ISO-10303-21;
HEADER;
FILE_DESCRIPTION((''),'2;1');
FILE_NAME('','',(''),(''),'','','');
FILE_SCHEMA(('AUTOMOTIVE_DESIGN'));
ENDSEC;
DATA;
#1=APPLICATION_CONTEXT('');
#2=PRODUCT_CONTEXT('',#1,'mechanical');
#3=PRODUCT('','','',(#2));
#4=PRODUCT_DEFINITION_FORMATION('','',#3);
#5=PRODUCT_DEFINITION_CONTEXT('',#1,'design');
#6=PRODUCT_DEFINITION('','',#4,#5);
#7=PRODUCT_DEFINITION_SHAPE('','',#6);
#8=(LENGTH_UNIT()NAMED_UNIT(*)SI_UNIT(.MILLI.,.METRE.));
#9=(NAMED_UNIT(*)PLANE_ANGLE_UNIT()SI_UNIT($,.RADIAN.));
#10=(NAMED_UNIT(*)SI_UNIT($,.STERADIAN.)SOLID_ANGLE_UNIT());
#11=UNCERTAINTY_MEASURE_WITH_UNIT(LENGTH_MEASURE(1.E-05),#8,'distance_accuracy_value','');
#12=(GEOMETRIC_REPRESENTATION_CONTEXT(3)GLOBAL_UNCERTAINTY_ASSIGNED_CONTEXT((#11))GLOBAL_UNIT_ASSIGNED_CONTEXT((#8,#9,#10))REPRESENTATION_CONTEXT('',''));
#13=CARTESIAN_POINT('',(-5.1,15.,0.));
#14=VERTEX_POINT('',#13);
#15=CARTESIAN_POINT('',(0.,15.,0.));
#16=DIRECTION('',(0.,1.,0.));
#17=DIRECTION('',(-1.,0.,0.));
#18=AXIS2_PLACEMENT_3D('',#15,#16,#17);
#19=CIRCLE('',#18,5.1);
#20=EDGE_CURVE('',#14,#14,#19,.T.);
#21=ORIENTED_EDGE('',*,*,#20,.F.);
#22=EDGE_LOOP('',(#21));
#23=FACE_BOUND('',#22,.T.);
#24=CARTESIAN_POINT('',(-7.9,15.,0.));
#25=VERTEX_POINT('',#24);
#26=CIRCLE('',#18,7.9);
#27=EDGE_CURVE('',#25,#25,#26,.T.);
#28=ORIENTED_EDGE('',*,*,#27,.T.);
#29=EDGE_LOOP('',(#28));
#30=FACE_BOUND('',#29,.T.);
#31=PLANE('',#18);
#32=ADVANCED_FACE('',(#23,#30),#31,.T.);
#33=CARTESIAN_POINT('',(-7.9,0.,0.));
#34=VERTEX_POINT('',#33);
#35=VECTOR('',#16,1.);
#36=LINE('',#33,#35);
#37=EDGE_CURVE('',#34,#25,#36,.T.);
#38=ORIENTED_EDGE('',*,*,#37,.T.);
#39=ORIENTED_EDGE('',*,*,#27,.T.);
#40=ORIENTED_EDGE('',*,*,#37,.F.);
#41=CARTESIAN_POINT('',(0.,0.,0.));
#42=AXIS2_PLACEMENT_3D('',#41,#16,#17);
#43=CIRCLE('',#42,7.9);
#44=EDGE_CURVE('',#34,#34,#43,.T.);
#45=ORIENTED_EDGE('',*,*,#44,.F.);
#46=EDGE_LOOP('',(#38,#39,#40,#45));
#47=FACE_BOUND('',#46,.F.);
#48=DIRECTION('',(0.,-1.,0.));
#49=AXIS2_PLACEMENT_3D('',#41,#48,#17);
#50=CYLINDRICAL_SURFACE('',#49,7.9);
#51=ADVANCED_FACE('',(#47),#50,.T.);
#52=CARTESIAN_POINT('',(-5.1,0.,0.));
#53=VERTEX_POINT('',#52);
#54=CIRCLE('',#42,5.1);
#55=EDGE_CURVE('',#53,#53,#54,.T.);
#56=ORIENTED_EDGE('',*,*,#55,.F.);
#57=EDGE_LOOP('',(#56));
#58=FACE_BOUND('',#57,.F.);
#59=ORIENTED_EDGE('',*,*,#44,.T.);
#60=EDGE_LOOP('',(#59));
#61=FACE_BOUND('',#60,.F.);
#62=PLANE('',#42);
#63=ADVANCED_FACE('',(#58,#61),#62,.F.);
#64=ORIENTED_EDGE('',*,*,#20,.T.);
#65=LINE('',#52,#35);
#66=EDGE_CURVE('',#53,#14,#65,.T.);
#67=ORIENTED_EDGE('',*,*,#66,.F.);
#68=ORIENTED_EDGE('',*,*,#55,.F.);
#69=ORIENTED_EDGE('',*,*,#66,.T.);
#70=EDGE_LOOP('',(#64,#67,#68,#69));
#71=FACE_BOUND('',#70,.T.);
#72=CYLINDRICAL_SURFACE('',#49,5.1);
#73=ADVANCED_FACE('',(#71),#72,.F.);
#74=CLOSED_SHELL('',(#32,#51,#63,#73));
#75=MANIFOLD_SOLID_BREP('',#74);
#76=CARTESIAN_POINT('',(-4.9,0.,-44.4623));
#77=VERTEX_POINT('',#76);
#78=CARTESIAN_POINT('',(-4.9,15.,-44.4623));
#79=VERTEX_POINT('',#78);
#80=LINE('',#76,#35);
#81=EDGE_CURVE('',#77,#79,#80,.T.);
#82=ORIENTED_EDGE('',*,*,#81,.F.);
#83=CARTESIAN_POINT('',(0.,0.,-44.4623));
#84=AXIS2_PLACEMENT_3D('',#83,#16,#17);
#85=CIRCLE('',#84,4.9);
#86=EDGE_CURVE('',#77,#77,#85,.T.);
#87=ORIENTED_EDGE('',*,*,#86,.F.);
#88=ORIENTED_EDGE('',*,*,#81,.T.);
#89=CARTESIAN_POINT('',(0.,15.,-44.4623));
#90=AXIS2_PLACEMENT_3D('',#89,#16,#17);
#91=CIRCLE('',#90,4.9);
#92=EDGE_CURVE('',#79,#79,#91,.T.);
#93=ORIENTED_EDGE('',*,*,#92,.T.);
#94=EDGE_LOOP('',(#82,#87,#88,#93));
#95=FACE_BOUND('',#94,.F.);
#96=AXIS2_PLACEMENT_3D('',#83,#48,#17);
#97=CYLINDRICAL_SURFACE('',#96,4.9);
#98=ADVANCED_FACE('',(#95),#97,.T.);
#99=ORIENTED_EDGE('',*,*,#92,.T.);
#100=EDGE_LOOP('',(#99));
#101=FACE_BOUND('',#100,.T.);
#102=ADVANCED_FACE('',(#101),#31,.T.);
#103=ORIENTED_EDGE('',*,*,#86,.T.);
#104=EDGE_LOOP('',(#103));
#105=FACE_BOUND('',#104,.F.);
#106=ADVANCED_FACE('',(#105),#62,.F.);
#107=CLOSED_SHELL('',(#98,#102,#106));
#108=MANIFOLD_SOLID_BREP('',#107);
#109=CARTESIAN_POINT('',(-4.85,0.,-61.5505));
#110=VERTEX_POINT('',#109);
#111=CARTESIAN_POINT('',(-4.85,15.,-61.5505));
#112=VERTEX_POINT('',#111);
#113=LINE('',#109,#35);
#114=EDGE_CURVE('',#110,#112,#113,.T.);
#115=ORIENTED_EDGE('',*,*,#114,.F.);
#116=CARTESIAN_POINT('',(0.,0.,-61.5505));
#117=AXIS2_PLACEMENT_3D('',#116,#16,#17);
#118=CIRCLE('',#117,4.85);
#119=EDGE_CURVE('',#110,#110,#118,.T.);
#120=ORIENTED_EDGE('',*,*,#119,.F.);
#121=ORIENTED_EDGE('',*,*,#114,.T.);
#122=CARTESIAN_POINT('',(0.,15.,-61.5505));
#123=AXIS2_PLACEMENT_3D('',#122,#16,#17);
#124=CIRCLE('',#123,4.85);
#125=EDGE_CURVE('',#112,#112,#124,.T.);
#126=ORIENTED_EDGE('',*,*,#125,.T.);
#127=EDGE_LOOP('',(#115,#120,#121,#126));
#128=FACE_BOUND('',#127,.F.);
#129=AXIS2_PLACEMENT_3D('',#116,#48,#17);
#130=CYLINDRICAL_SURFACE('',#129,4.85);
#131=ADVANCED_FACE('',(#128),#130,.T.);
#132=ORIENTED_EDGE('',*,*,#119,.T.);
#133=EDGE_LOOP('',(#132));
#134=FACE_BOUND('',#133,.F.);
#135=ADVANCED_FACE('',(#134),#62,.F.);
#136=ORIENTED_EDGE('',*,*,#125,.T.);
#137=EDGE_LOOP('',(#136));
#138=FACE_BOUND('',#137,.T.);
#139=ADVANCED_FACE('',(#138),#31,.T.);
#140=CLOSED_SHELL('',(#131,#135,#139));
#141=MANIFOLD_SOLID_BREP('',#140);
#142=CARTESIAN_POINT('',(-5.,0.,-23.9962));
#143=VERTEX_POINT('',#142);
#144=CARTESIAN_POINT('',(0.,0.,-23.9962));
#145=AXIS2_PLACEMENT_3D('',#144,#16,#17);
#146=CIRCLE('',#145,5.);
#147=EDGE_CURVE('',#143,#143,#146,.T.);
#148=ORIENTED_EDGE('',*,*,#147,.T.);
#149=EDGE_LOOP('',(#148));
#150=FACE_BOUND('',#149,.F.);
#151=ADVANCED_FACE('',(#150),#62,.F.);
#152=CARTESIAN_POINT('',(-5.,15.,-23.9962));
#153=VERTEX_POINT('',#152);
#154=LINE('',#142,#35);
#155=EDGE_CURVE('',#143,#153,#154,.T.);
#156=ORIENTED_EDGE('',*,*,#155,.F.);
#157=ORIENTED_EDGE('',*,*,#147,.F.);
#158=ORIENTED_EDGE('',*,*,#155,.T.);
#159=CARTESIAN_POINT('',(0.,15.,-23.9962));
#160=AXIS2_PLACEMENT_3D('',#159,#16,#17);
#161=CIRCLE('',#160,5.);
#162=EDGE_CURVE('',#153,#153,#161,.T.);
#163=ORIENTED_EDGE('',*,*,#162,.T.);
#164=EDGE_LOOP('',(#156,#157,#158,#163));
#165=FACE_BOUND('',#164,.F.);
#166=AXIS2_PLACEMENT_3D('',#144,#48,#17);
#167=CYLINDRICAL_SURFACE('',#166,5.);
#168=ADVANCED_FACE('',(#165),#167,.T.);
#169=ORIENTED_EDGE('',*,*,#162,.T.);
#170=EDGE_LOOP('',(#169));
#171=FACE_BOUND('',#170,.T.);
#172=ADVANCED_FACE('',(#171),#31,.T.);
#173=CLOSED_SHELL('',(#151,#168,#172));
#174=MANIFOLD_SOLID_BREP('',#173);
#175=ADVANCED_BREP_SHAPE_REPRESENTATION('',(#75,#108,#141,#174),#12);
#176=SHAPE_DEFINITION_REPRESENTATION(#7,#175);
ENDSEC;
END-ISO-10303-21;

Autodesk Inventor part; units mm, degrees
ref_plane "YZ Plane" through (0, 0, 0) normal (1, 0, 0) x (0, 1, 0)
ref_plane "XZ Plane" through (0, 0, 0) normal (0, 1, 0) x (-1, 0, 0)
ref_plane "XY Plane" through (0, 0, 0) normal (0, 0, 1) x (1, 0, 0)
sketch "Эскиз1" plane through (0, 0, 0) normal (0, 1, 0) x (-1, 0, 0)
  circle A0 centre (0, 0) radius 5.1
  circle A1 centre (0, 0) radius 7.9
  circle A2 centre (0, -23.9962) radius 5
  circle A3 centre (0, -44.4623) radius 4.9
  circle A4 centre (0, -61.5505) radius 4.85
  dimension "d0" = 10.2
  dimension "d1" = 15.8
  dimension "d2" = 10
  dimension "d3" = 9.8
  dimension "d4" = 9.7
extrude "Выдавливание1" add sketch "Эскиз1" along normal blind 15
sketch "Эскиз2" plane through (0, 15, -23.9962) normal (0, 1, 0) x (1, 0, 0)
  line L0 (-2.1701, 1.6946) -> (2.4044, 1.6946) construction
  line L1 (2.4044, 1.6946) -> (2.4044, -1.4794) construction
  line L2 (2.4044, -1.4794) -> (-2.1701, -1.4794) construction
  line L3 (-2.1701, -1.4794) -> (-2.1701, 1.6946) construction
  line L4 (-3.1832, 22.0453) -> (2.6609, 22.0453) construction
  line L5 (2.6609, 22.0453) -> (2.6609, 18.1698) construction
  line L6 (2.6609, 18.1698) -> (-3.1832, 18.1698) construction
  line L7 (-3.1832, 18.1698) -> (-3.1832, 22.0453) construction
  line L8 (-2.9124, 39.0147) -> (2.9316, 39.0147) construction
  line L9 (2.9316, 39.0147) -> (2.9316, 35.1466) construction
  line L10 (2.9316, 35.1466) -> (-2.9124, 35.1466) construction
  line L11 (-2.9124, 35.1466) -> (-2.9124, 39.0147) construction
  point P0 (0, -23.9962)
equation "\"Радиус_гибки\" = Толщина"
equation "\"Ширина_просечки\" = Толщина"
equation "\"Глубина_просечки\" = 0.5 * Толщина"
equation "\"Размер_просечки\" = 4 * Толщина"
equation "\"Мин_остаток\" = 2 * Толщина"
equation "\"Радиус_перехода\" = Радиус_гибки"
equation "\"Радиус_Якоби\" = Толщина"
equation "\"Размер_зазора\" = Толщина"
equation "\"Толщина\" = 0.5"
properties part number "Тест"
